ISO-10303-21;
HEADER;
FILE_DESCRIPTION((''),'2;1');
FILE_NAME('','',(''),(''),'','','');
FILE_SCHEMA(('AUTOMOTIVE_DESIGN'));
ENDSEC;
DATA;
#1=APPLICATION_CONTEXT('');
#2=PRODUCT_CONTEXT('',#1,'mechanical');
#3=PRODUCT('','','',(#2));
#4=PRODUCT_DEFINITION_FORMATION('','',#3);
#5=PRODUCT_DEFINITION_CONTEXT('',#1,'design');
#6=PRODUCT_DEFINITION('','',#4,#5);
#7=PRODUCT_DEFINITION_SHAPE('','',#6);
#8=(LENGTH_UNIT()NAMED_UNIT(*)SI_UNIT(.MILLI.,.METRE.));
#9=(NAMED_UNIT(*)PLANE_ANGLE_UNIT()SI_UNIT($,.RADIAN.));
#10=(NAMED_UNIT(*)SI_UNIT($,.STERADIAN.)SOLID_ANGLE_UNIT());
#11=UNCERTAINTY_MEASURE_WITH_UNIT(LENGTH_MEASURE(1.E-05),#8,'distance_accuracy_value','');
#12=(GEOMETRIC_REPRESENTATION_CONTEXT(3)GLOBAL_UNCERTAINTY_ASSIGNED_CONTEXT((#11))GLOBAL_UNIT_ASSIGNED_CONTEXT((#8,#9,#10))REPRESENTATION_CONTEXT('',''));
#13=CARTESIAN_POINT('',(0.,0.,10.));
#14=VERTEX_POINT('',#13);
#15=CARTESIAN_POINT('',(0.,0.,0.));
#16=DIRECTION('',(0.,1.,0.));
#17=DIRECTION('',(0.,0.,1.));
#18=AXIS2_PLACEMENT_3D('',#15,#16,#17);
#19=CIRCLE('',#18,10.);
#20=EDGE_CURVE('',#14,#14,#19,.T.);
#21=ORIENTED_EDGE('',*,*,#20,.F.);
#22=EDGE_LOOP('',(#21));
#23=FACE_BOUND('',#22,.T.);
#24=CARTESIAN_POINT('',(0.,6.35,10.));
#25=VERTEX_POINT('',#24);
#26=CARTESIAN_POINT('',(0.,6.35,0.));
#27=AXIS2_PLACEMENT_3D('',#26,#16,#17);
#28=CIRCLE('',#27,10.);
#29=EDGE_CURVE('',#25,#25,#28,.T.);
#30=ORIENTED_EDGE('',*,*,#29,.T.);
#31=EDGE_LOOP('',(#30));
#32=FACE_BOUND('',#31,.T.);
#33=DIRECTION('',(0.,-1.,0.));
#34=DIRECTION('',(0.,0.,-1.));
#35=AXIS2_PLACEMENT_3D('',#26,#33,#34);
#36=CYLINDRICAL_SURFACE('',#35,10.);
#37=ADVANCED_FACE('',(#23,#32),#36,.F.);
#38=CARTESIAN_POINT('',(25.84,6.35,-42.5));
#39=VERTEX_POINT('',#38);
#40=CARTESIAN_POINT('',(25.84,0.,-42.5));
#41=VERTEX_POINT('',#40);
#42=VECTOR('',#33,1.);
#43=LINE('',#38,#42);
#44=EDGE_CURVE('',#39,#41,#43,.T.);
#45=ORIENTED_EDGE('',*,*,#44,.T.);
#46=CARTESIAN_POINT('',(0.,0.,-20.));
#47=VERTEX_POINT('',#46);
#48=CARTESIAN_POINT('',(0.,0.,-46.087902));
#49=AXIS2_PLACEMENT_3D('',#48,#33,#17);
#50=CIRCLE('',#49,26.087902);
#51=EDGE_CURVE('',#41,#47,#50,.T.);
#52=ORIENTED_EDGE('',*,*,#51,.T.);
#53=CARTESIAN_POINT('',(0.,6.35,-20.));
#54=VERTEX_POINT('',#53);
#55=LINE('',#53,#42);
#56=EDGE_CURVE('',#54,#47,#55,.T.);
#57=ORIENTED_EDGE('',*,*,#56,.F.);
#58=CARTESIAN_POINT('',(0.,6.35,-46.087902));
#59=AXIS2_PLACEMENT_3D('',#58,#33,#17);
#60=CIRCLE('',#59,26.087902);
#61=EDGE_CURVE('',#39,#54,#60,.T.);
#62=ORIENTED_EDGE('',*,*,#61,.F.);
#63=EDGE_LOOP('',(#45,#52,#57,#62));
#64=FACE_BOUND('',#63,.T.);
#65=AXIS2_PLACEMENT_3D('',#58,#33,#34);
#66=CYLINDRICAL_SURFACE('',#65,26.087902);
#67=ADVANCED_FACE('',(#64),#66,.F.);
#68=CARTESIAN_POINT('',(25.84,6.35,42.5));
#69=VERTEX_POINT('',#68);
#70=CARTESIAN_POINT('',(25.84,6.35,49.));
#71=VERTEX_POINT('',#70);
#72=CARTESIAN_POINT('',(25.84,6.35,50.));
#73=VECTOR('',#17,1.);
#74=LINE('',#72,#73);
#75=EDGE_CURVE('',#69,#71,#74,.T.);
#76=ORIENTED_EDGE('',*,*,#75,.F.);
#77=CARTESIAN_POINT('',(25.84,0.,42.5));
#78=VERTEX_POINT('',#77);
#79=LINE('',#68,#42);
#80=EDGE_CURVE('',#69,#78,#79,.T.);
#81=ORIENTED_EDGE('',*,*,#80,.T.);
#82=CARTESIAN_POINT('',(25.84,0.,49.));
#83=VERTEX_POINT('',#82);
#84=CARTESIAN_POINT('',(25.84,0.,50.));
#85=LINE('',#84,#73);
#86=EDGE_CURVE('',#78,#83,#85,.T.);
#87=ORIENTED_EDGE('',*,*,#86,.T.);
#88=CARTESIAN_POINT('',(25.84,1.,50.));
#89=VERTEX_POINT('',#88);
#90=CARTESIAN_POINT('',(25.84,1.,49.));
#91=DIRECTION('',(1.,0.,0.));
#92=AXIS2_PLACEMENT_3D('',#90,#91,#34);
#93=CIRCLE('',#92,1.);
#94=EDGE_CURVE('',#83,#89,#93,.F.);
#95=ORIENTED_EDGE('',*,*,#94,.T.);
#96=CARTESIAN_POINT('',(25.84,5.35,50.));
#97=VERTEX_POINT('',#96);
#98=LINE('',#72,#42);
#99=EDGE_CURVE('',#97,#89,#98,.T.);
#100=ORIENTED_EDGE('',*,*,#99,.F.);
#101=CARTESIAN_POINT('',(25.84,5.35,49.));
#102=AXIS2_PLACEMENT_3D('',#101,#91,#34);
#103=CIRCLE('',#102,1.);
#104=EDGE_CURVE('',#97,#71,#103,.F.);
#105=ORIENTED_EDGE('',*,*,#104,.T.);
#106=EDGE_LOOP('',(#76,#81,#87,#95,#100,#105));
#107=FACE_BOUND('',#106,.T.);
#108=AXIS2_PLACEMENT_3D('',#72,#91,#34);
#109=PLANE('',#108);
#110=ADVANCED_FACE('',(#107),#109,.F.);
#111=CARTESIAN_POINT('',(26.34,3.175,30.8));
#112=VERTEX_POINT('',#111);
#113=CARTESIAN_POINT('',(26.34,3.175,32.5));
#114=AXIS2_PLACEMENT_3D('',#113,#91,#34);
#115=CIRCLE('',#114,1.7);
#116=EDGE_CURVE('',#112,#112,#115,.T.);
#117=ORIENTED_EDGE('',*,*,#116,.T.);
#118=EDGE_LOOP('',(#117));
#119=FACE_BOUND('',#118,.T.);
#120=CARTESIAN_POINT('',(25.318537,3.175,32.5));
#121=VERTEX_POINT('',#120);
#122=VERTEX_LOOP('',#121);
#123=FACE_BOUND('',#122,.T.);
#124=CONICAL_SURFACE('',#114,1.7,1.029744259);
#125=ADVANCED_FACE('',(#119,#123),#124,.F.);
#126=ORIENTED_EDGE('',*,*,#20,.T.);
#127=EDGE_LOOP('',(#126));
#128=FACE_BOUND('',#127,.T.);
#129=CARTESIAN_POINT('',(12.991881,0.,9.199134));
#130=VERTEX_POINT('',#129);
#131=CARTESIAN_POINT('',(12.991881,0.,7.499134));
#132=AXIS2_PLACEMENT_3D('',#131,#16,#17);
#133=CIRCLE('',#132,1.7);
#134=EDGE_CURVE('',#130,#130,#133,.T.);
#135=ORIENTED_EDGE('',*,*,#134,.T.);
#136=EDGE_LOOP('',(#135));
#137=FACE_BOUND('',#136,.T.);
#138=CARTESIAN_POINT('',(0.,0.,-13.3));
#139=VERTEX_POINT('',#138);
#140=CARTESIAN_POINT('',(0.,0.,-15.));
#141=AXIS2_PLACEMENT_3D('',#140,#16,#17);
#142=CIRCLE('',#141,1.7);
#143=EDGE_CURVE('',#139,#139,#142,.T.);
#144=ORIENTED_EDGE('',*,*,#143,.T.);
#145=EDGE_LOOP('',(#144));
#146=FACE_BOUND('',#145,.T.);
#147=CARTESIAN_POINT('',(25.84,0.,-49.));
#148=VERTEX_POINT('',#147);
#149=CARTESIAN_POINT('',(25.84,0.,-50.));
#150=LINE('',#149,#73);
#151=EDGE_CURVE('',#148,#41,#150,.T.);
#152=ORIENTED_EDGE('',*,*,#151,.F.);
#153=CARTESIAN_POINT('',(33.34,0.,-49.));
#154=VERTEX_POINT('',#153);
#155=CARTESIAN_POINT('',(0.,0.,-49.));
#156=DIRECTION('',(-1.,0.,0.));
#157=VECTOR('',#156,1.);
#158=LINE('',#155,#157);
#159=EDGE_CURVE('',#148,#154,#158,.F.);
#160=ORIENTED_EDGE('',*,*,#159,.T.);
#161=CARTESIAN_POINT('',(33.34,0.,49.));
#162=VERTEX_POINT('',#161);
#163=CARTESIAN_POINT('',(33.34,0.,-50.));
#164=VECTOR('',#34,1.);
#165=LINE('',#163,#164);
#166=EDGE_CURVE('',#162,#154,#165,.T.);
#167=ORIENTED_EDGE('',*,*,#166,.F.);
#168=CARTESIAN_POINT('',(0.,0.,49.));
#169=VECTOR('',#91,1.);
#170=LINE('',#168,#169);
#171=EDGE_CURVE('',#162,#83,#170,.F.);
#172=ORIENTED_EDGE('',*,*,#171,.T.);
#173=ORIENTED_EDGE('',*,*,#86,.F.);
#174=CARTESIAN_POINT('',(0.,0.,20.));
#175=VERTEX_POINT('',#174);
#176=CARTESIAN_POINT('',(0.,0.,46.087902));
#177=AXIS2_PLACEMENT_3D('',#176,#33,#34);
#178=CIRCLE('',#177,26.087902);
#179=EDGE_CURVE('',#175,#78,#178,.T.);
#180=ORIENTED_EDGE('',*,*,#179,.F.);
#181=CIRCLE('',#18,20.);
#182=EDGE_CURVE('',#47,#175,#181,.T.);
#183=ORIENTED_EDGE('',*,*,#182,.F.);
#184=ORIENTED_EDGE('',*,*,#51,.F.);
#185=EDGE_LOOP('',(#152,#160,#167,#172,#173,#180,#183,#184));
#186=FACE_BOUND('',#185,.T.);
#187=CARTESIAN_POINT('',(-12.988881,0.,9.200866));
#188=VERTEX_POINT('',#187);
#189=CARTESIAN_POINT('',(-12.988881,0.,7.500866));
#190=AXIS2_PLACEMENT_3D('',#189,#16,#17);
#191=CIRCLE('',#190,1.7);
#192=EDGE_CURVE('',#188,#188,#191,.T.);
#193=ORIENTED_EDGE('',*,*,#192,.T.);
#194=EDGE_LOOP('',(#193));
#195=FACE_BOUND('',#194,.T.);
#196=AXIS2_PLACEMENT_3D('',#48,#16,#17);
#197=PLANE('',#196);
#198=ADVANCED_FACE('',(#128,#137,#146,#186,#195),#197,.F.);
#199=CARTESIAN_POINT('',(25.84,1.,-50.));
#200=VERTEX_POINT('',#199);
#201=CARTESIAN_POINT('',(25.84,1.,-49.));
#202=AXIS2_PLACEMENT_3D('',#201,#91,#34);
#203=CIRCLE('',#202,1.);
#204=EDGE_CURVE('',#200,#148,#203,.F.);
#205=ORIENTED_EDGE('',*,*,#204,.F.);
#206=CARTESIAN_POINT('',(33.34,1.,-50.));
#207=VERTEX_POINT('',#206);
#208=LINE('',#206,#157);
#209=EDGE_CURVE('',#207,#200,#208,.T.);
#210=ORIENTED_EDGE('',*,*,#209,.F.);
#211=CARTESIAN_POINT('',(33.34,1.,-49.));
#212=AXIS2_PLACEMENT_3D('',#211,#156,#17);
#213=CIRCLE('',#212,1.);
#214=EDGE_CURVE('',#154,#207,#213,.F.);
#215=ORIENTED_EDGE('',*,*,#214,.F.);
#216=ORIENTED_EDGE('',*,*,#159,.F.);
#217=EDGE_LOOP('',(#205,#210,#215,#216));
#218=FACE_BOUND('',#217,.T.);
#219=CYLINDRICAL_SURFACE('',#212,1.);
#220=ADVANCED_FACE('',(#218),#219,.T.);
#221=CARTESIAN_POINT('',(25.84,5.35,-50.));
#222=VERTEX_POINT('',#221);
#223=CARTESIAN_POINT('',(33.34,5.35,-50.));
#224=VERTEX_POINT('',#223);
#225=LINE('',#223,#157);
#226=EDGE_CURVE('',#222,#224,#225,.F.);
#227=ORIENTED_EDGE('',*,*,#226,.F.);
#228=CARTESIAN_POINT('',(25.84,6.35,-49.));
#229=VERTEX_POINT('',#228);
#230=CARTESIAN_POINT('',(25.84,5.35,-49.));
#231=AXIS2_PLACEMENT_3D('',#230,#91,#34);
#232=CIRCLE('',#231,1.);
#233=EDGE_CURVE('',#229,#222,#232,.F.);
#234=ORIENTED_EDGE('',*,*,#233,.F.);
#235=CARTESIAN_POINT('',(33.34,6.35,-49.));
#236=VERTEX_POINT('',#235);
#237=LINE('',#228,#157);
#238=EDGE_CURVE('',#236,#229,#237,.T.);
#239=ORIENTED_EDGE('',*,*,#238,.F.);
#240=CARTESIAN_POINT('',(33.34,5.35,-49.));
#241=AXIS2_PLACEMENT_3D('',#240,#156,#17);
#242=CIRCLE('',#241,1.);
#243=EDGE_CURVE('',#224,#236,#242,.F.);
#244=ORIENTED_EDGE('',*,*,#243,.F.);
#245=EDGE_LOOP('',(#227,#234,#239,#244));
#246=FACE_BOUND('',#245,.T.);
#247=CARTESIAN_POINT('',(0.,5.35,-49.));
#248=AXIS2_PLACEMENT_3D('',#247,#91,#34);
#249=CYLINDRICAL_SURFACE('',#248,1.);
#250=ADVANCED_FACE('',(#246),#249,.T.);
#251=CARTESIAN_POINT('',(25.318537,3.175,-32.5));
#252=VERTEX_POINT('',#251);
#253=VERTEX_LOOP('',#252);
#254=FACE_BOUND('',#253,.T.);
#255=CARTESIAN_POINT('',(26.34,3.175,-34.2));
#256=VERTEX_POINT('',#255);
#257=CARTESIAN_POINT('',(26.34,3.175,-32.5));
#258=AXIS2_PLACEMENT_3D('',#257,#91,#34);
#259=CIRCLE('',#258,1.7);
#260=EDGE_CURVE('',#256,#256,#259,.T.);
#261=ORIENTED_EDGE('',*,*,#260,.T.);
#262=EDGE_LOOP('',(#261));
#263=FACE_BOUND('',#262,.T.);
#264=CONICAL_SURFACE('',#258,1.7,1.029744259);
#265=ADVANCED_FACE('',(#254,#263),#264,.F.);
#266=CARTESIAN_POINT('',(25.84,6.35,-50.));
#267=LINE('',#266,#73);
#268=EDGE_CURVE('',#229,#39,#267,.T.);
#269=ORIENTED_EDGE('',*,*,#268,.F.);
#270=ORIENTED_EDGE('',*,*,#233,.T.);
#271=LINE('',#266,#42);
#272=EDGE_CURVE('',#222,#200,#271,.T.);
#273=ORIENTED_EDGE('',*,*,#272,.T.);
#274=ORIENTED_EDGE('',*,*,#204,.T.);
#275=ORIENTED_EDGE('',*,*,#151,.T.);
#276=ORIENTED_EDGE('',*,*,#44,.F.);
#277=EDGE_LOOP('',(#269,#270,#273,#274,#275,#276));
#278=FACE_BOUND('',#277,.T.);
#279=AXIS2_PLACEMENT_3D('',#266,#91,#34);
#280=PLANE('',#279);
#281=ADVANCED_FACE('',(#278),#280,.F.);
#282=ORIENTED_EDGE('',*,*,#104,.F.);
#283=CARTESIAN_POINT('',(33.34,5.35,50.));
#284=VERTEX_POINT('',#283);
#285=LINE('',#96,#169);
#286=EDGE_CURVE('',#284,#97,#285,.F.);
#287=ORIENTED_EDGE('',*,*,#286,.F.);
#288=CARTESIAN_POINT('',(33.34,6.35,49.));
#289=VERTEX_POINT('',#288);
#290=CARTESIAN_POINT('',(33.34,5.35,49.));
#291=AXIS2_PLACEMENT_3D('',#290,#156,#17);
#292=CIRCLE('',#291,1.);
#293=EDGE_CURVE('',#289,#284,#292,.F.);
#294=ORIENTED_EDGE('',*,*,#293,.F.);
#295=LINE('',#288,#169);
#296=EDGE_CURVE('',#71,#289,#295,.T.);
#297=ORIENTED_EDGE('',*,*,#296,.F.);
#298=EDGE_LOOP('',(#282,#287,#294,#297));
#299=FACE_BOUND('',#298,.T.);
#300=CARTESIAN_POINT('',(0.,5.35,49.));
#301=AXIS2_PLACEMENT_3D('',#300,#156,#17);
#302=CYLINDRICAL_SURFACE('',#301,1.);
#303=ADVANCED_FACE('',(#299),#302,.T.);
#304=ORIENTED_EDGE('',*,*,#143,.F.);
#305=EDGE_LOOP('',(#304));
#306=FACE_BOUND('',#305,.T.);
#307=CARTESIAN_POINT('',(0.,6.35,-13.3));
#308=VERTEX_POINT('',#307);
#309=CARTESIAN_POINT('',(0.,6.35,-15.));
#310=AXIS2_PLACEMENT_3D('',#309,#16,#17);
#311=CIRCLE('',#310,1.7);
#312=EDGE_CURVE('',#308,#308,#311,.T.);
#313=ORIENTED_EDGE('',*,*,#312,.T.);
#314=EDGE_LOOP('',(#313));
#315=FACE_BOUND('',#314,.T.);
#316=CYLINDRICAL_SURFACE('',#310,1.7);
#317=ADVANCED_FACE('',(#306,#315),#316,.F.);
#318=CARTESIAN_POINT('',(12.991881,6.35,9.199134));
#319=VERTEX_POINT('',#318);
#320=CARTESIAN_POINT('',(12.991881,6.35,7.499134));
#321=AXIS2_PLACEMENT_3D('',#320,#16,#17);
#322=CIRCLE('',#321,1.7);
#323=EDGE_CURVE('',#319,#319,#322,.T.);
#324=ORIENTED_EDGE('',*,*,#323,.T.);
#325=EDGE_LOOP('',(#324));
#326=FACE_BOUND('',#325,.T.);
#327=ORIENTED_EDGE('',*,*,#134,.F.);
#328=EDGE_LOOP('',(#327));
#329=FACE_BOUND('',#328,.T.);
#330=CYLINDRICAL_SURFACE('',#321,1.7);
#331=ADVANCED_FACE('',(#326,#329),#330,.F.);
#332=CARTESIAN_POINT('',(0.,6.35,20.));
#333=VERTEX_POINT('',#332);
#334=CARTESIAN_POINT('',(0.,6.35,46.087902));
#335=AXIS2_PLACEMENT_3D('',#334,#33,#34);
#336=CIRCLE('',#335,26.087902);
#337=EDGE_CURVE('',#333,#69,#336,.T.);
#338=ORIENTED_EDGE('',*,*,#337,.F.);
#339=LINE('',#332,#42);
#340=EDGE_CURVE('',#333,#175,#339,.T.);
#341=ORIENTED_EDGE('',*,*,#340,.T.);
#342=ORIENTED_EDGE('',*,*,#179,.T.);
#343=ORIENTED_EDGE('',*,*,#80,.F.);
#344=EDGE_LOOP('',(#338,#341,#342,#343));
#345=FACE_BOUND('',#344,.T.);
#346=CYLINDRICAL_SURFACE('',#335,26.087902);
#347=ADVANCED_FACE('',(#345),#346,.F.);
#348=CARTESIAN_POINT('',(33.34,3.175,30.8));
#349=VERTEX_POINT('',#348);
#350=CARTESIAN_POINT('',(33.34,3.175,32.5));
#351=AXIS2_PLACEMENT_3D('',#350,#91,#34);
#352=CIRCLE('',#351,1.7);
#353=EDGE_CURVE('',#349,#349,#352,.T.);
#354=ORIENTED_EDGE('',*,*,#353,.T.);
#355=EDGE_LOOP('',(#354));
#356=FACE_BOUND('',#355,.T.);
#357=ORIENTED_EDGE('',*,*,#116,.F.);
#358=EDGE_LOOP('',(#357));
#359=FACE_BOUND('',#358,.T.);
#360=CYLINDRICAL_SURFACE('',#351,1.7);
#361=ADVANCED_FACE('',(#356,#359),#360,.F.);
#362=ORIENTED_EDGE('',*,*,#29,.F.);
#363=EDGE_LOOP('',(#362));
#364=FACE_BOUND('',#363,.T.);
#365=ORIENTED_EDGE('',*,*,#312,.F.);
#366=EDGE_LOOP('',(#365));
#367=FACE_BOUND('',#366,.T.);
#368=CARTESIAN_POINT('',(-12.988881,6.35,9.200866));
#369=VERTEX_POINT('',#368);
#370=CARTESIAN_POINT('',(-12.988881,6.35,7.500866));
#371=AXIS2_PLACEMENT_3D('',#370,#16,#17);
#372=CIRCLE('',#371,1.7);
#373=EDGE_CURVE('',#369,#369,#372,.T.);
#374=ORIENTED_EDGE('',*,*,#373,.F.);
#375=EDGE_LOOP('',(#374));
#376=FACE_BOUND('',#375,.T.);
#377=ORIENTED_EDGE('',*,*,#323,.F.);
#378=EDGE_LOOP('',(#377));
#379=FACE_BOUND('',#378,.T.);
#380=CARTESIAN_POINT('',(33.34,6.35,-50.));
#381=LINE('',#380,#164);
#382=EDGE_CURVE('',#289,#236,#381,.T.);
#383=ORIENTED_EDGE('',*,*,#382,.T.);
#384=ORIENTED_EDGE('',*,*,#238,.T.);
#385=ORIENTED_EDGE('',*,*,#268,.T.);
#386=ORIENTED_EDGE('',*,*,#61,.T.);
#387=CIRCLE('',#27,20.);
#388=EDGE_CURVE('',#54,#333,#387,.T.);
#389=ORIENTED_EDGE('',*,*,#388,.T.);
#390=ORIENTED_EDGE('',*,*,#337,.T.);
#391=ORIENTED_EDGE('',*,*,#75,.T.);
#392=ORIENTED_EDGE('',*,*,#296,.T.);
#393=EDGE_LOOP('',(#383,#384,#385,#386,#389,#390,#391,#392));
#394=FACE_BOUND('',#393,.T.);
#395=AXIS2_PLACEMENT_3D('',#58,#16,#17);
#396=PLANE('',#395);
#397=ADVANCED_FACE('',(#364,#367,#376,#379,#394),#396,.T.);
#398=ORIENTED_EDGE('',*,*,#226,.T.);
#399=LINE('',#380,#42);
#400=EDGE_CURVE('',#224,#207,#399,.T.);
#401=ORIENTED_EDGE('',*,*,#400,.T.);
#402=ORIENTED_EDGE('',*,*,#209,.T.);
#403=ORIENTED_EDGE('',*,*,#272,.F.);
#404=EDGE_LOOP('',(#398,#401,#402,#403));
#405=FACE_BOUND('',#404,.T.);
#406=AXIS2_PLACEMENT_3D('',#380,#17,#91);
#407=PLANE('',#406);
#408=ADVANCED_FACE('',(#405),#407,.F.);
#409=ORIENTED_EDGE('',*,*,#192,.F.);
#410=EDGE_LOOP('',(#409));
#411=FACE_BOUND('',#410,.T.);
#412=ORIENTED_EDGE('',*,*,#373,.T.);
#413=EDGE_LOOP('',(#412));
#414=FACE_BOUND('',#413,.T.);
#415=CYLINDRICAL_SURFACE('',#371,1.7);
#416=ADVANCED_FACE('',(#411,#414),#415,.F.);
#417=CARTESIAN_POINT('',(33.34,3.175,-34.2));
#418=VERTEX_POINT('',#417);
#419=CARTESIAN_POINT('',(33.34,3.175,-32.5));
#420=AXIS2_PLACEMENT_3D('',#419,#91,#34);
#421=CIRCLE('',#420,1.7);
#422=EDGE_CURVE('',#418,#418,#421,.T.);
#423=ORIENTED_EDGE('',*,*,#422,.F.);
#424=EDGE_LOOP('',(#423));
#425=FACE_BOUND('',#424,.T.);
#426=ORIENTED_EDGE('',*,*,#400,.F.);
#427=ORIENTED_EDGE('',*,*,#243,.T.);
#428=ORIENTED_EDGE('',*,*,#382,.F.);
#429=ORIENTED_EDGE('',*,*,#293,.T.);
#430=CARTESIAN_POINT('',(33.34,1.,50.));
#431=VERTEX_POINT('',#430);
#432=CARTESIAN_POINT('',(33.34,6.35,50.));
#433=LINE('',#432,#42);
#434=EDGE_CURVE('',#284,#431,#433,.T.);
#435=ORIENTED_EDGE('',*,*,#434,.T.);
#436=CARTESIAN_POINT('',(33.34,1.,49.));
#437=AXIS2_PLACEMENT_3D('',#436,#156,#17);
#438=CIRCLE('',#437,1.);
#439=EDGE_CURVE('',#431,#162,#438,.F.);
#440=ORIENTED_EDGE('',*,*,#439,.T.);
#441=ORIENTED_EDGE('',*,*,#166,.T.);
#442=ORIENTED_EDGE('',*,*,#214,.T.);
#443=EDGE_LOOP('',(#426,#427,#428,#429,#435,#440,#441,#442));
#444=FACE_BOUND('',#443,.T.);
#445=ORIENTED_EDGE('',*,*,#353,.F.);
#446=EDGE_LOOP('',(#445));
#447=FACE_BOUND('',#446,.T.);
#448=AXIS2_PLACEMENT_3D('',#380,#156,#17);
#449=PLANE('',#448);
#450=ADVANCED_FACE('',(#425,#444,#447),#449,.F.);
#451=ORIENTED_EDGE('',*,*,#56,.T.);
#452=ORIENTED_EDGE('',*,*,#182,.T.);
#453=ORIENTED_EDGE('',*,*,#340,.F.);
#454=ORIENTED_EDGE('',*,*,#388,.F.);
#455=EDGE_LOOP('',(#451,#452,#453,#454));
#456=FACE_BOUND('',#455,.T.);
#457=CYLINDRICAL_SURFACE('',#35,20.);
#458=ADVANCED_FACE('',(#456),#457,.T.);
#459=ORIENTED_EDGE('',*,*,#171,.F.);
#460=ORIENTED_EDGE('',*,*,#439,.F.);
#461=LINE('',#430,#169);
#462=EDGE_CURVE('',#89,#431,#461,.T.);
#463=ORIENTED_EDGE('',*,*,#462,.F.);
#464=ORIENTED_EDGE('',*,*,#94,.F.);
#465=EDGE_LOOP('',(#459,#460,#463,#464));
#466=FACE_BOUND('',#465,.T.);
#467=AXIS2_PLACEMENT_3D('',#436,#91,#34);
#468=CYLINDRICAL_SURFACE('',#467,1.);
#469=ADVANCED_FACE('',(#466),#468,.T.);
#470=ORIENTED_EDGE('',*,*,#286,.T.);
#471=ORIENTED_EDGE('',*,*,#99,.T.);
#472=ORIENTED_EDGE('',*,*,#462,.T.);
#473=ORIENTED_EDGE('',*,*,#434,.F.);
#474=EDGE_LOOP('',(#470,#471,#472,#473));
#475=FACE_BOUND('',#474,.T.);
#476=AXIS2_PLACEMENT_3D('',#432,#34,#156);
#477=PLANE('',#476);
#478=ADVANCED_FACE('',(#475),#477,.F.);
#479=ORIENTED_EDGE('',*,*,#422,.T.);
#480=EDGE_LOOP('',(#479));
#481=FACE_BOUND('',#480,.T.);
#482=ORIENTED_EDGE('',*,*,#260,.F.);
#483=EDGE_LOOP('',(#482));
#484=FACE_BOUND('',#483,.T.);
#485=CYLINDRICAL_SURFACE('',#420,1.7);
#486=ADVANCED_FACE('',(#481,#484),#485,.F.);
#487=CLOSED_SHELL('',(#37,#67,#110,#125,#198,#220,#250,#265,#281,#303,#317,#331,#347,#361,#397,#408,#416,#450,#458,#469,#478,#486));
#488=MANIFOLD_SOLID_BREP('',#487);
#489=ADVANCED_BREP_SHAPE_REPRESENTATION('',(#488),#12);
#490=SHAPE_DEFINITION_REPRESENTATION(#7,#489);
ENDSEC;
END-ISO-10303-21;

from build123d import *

# Parameters (mm, degrees)
SKETCH1_R                = 10
BOSS_EXTRUDE1_DEPTH      = 6.35
M3_CLEARANCE_HOLE1_D     = 3.4
M3_CLEARANCE_HOLE3_D     = 3.4
M3_CLEARANCE_HOLE3_DEPTH = 7
M3_CLEARANCE_HOLE3_TIP   = 1.021463052
FILLET1_R                = 1


with BuildPart() as part:
    # Sketch1 → Boss-Extrude1 (new body)
    with BuildSketch(Plane(origin=(0, 0, 0), x_dir=(1, 0, 0), z_dir=(0, 1, 0))):
        with BuildLine():
            Line((33.34, 50), (33.34, -50))
            Line((33.34, -50), (25.84, -50))
            Line((25.84, -50), (25.84, -42.5))
            ThreePointArc((25.84, -42.5), (17.131517738, -26.413305851), (0, -20))
            ThreePointArc((0, -20), (-20, 0), (0, 20))
            ThreePointArc((0, 20), (17.131517738, 26.413305851), (25.84, 42.5))
            Line((25.84, 42.5), (25.84, 50))
            Line((25.84, 50), (33.34, 50))
        make_face()
        with Locations(Location((0, 0, 0), (0, 0, 270))):
            Circle(SKETCH1_R, mode=Mode.SUBTRACT)
    extrude(amount=BOSS_EXTRUDE1_DEPTH)

    # M3 Clearance Hole1 (through all)
    with Locations(Plane(origin=(0, 6.35, 0), x_dir=(1, 0, 0), z_dir=(0, 1, 0))):
        with Locations((0, 15), (12.991881057, -7.499133975), (-12.988881057, -7.500866025), (0.001, 0)):
            Hole(M3_CLEARANCE_HOLE1_D / 2)

    # M3 Clearance Hole3
    with Locations(Plane(origin=(33.34, 0, 0), x_dir=(0, 0, -1), z_dir=(1, 0, 0))):
        with Locations((32.5, 3.175), (-32.5, 3.175)):
            Hole(M3_CLEARANCE_HOLE3_D / 2, depth=M3_CLEARANCE_HOLE3_DEPTH)
            with Locations((0, 0, -(M3_CLEARANCE_HOLE3_DEPTH + M3_CLEARANCE_HOLE3_TIP / 2))):  # 118° drill point
                Cone(0, M3_CLEARANCE_HOLE3_D / 2, M3_CLEARANCE_HOLE3_TIP, mode=Mode.SUBTRACT)

    # Fillet1
    fillet1_edges = [part.edges().sort_by_distance(p)[0] for p in [
        (29.59, 6.35, 50),
        (29.59, 6.35, -50),
        (29.59, 0, -50),
        (29.59, 0, 50),
    ]]
    fillet(fillet1_edges, radius=FILLET1_R)


solid = part.part
